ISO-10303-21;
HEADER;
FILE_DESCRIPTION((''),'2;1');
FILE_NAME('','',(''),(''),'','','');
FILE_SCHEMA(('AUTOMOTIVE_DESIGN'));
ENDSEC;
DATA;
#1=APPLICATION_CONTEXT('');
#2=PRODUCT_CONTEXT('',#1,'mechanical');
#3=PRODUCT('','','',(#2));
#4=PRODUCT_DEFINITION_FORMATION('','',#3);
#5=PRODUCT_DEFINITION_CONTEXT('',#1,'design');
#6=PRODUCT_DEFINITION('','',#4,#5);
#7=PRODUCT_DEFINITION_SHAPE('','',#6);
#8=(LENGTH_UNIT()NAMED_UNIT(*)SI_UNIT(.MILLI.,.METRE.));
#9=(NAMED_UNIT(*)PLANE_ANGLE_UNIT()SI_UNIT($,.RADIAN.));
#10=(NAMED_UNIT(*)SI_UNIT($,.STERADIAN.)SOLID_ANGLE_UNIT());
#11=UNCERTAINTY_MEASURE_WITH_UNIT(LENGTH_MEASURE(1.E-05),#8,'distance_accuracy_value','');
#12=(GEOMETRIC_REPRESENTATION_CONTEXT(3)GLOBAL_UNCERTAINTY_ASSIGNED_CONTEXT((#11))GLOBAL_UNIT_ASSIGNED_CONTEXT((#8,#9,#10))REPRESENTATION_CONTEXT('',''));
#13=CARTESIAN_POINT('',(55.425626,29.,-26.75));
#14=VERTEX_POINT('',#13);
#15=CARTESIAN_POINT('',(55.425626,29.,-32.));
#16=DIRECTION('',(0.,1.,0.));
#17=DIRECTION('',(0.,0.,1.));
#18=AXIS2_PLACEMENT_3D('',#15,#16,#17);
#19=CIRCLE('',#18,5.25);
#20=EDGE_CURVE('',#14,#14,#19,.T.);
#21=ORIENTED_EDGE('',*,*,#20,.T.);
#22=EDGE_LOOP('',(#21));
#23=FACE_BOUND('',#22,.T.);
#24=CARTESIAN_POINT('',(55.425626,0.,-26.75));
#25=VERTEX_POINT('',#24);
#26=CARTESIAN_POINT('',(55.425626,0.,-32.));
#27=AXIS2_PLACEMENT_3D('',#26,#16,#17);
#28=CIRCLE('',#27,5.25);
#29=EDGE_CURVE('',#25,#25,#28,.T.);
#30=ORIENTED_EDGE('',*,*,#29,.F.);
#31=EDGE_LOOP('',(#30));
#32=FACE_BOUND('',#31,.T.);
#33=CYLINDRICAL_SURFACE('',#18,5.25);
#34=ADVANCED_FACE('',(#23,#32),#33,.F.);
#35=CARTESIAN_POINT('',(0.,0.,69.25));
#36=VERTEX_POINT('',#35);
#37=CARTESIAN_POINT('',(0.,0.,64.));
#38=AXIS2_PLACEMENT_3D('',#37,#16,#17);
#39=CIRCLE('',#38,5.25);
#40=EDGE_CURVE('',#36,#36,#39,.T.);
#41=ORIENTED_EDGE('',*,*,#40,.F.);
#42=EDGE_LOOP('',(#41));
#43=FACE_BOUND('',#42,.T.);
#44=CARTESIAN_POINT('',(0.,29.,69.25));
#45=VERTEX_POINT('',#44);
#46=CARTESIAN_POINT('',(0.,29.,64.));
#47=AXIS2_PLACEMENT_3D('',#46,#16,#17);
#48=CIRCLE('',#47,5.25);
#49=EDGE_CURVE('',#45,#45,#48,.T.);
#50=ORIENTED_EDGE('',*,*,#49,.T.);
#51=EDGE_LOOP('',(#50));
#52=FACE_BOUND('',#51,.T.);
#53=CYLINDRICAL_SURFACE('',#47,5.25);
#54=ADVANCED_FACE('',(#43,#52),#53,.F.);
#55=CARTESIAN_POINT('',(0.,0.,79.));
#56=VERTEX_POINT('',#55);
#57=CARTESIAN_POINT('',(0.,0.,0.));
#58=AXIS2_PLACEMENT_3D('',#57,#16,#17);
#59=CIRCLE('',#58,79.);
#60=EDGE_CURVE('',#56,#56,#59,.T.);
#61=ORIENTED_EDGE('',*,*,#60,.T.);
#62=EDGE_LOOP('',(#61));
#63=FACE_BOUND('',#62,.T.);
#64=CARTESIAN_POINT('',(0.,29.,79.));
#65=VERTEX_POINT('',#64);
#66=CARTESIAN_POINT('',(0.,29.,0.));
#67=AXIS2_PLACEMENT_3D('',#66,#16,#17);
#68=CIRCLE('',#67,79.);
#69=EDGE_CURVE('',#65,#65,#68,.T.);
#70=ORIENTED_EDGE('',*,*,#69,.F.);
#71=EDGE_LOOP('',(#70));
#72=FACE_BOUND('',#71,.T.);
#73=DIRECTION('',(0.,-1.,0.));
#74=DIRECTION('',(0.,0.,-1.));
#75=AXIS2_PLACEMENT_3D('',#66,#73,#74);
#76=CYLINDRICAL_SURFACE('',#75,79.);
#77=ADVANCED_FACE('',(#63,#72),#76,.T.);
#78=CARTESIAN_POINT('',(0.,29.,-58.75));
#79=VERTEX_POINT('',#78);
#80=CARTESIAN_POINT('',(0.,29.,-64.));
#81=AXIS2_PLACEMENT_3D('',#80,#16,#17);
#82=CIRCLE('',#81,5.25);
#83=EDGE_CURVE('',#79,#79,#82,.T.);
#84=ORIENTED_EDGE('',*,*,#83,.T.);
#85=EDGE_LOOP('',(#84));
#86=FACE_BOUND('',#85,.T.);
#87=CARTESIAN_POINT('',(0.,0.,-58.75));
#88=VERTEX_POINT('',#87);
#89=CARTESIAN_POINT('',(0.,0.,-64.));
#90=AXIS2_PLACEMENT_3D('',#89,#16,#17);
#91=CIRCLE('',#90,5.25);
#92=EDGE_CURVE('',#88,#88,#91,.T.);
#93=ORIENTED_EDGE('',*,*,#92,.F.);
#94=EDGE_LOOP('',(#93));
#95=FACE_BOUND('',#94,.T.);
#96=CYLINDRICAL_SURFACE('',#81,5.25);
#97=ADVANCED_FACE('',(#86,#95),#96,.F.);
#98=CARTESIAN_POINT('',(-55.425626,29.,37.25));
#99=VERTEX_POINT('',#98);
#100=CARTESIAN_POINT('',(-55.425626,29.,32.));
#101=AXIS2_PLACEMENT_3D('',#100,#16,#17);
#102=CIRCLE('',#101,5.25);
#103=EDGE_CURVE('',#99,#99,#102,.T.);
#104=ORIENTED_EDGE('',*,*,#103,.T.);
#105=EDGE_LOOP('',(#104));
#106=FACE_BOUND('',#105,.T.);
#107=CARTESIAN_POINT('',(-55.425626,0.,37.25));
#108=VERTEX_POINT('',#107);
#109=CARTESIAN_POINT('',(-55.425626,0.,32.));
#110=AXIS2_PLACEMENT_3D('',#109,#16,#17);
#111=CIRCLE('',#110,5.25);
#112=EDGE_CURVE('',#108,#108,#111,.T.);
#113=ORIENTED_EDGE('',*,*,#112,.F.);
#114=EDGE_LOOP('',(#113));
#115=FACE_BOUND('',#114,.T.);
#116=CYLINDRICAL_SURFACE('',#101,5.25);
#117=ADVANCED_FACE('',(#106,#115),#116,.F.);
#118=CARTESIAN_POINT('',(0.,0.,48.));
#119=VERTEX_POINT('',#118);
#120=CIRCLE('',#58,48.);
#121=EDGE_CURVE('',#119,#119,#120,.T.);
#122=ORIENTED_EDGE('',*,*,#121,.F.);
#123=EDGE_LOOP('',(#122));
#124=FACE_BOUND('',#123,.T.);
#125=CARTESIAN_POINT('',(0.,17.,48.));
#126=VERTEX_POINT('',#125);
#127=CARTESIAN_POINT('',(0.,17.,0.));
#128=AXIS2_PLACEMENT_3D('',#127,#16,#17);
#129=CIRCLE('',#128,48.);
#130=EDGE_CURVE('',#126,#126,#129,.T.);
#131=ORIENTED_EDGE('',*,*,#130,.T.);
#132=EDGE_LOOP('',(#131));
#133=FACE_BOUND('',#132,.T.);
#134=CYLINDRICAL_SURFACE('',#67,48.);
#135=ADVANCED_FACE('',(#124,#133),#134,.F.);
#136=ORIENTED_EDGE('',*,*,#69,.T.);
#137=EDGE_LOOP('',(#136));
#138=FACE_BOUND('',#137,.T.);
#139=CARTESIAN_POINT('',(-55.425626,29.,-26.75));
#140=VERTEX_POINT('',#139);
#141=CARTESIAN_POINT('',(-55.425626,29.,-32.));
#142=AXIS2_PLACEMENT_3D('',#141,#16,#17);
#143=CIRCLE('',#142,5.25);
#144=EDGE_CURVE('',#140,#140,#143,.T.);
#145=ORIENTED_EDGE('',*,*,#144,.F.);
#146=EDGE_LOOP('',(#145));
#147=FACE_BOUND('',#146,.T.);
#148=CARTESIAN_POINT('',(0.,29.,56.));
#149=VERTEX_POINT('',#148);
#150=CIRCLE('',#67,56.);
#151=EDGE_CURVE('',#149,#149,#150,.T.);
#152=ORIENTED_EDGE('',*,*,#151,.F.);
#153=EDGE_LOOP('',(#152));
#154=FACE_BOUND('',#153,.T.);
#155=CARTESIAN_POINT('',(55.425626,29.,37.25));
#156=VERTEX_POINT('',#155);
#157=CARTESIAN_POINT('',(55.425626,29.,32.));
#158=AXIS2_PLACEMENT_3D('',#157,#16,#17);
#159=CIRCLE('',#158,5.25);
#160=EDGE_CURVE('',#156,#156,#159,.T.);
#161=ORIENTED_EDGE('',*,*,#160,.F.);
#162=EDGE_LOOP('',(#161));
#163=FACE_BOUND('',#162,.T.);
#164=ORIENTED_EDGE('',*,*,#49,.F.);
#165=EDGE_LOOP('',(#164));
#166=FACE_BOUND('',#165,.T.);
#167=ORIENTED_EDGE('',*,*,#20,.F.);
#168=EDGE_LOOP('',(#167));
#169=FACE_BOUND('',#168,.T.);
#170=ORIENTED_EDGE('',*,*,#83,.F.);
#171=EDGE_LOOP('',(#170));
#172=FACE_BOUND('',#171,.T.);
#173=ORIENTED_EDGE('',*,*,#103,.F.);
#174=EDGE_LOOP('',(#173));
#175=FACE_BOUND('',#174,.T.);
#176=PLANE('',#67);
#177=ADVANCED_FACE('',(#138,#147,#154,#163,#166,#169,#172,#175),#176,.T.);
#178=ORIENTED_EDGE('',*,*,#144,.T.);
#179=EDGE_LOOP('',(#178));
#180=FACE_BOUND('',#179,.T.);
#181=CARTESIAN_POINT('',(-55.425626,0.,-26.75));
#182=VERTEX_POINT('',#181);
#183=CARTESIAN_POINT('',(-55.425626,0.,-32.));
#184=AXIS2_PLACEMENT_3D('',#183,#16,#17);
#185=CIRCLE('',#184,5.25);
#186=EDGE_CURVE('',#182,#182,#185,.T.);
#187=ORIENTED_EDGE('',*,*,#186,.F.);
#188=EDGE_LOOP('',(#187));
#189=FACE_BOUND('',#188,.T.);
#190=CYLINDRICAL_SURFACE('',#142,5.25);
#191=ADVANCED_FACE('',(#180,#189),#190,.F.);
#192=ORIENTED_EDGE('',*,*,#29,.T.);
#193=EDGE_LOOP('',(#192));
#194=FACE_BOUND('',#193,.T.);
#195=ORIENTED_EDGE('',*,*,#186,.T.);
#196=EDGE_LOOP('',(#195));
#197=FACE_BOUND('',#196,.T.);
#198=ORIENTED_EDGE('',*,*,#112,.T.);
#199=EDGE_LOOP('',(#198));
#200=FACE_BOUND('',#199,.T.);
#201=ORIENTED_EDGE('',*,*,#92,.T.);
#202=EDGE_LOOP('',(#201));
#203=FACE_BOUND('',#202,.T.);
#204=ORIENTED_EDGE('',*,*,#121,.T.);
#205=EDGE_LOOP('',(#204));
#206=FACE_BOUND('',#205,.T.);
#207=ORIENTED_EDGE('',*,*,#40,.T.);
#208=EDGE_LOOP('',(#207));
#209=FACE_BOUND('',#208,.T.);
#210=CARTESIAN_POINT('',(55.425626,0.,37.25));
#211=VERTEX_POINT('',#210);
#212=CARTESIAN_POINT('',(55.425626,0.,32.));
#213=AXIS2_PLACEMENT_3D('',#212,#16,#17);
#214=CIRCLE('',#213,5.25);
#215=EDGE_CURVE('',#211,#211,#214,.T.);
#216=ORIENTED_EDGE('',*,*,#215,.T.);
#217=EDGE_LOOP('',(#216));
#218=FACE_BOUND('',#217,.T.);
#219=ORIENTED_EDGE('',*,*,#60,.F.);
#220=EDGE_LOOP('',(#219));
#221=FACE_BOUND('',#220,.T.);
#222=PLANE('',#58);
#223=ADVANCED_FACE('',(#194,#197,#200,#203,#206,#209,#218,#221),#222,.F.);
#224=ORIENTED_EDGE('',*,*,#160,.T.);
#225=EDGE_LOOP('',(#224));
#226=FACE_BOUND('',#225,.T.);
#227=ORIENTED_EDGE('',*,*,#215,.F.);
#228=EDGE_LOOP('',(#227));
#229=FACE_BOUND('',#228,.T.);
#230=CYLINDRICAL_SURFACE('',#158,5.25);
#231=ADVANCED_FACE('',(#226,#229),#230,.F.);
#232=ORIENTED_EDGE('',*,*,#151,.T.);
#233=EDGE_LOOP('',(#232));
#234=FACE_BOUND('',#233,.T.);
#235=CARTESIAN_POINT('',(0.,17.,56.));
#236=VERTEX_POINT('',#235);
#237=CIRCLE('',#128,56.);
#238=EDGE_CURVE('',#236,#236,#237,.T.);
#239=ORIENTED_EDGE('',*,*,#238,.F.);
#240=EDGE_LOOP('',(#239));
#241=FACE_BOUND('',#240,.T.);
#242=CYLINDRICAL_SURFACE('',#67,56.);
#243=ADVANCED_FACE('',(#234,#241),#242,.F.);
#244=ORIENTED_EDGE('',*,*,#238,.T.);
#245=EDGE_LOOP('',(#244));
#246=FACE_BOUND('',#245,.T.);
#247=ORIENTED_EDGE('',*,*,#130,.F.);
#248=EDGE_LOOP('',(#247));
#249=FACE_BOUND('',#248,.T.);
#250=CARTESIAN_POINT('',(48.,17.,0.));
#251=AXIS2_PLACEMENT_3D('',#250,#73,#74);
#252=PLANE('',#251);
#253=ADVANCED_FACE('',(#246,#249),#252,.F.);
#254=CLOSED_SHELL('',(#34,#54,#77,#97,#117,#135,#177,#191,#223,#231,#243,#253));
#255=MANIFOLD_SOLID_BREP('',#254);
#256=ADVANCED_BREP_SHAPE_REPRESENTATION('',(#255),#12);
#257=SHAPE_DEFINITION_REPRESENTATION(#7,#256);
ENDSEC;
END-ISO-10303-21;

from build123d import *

# Parameters (mm, degrees)
SKETCH1_R                               = 79
BOSS_EXTRUDE1_DEPTH                     = 29
CBORE_FOR_M5_HEX_HEAD_BOLT1_D           = 96
CBORE_FOR_M5_HEX_HEAD_BOLT1_CBORE_D     = 112
CBORE_FOR_M5_HEX_HEAD_BOLT1_CBORE_DEPTH = 12
M12X1_5_TAPPED_HOLE1_D                  = 10.5
CIRPATTERN2_COUNT                       = 6


with BuildPart() as part:
    # Sketch1 → Boss-Extrude1 (new body)
    with BuildSketch(Plane(origin=(0, 0, 0), x_dir=(1, 0, 0), z_dir=(0, 1, 0))):
        Circle(SKETCH1_R)
    extrude(amount=BOSS_EXTRUDE1_DEPTH)

    # CBORE for M5 Hex Head Bolt1 (through all)
    with Locations(Plane(origin=(0, 29, 0), x_dir=(1, 0, 0), z_dir=(0, 1, 0))):
        with Locations((0, 0)):
            CounterBoreHole(CBORE_FOR_M5_HEX_HEAD_BOLT1_D / 2, CBORE_FOR_M5_HEX_HEAD_BOLT1_CBORE_D / 2, CBORE_FOR_M5_HEX_HEAD_BOLT1_CBORE_DEPTH)

    # M12x1.5 Tapped Hole1 (through all)
    with Locations(Plane(origin=(0, 29, 0), x_dir=(1, 0, 0), z_dir=(0, 1, 0))):
        with Locations((55.425625842, -32)):
            m12x1_5_tapped_hole1 = Hole(M12X1_5_TAPPED_HOLE1_D / 2)

    # CirPattern2: M12x1.5 Tapped Hole1 ×6 about axis
    cirpattern2_axis = Axis((0, 0, 0), (0, 1, 0))
    for i in range(1, CIRPATTERN2_COUNT):
        add(m12x1_5_tapped_hole1.rotate(cirpattern2_axis, i * 360 / CIRPATTERN2_COUNT), mode=Mode.SUBTRACT)


solid = part.part
